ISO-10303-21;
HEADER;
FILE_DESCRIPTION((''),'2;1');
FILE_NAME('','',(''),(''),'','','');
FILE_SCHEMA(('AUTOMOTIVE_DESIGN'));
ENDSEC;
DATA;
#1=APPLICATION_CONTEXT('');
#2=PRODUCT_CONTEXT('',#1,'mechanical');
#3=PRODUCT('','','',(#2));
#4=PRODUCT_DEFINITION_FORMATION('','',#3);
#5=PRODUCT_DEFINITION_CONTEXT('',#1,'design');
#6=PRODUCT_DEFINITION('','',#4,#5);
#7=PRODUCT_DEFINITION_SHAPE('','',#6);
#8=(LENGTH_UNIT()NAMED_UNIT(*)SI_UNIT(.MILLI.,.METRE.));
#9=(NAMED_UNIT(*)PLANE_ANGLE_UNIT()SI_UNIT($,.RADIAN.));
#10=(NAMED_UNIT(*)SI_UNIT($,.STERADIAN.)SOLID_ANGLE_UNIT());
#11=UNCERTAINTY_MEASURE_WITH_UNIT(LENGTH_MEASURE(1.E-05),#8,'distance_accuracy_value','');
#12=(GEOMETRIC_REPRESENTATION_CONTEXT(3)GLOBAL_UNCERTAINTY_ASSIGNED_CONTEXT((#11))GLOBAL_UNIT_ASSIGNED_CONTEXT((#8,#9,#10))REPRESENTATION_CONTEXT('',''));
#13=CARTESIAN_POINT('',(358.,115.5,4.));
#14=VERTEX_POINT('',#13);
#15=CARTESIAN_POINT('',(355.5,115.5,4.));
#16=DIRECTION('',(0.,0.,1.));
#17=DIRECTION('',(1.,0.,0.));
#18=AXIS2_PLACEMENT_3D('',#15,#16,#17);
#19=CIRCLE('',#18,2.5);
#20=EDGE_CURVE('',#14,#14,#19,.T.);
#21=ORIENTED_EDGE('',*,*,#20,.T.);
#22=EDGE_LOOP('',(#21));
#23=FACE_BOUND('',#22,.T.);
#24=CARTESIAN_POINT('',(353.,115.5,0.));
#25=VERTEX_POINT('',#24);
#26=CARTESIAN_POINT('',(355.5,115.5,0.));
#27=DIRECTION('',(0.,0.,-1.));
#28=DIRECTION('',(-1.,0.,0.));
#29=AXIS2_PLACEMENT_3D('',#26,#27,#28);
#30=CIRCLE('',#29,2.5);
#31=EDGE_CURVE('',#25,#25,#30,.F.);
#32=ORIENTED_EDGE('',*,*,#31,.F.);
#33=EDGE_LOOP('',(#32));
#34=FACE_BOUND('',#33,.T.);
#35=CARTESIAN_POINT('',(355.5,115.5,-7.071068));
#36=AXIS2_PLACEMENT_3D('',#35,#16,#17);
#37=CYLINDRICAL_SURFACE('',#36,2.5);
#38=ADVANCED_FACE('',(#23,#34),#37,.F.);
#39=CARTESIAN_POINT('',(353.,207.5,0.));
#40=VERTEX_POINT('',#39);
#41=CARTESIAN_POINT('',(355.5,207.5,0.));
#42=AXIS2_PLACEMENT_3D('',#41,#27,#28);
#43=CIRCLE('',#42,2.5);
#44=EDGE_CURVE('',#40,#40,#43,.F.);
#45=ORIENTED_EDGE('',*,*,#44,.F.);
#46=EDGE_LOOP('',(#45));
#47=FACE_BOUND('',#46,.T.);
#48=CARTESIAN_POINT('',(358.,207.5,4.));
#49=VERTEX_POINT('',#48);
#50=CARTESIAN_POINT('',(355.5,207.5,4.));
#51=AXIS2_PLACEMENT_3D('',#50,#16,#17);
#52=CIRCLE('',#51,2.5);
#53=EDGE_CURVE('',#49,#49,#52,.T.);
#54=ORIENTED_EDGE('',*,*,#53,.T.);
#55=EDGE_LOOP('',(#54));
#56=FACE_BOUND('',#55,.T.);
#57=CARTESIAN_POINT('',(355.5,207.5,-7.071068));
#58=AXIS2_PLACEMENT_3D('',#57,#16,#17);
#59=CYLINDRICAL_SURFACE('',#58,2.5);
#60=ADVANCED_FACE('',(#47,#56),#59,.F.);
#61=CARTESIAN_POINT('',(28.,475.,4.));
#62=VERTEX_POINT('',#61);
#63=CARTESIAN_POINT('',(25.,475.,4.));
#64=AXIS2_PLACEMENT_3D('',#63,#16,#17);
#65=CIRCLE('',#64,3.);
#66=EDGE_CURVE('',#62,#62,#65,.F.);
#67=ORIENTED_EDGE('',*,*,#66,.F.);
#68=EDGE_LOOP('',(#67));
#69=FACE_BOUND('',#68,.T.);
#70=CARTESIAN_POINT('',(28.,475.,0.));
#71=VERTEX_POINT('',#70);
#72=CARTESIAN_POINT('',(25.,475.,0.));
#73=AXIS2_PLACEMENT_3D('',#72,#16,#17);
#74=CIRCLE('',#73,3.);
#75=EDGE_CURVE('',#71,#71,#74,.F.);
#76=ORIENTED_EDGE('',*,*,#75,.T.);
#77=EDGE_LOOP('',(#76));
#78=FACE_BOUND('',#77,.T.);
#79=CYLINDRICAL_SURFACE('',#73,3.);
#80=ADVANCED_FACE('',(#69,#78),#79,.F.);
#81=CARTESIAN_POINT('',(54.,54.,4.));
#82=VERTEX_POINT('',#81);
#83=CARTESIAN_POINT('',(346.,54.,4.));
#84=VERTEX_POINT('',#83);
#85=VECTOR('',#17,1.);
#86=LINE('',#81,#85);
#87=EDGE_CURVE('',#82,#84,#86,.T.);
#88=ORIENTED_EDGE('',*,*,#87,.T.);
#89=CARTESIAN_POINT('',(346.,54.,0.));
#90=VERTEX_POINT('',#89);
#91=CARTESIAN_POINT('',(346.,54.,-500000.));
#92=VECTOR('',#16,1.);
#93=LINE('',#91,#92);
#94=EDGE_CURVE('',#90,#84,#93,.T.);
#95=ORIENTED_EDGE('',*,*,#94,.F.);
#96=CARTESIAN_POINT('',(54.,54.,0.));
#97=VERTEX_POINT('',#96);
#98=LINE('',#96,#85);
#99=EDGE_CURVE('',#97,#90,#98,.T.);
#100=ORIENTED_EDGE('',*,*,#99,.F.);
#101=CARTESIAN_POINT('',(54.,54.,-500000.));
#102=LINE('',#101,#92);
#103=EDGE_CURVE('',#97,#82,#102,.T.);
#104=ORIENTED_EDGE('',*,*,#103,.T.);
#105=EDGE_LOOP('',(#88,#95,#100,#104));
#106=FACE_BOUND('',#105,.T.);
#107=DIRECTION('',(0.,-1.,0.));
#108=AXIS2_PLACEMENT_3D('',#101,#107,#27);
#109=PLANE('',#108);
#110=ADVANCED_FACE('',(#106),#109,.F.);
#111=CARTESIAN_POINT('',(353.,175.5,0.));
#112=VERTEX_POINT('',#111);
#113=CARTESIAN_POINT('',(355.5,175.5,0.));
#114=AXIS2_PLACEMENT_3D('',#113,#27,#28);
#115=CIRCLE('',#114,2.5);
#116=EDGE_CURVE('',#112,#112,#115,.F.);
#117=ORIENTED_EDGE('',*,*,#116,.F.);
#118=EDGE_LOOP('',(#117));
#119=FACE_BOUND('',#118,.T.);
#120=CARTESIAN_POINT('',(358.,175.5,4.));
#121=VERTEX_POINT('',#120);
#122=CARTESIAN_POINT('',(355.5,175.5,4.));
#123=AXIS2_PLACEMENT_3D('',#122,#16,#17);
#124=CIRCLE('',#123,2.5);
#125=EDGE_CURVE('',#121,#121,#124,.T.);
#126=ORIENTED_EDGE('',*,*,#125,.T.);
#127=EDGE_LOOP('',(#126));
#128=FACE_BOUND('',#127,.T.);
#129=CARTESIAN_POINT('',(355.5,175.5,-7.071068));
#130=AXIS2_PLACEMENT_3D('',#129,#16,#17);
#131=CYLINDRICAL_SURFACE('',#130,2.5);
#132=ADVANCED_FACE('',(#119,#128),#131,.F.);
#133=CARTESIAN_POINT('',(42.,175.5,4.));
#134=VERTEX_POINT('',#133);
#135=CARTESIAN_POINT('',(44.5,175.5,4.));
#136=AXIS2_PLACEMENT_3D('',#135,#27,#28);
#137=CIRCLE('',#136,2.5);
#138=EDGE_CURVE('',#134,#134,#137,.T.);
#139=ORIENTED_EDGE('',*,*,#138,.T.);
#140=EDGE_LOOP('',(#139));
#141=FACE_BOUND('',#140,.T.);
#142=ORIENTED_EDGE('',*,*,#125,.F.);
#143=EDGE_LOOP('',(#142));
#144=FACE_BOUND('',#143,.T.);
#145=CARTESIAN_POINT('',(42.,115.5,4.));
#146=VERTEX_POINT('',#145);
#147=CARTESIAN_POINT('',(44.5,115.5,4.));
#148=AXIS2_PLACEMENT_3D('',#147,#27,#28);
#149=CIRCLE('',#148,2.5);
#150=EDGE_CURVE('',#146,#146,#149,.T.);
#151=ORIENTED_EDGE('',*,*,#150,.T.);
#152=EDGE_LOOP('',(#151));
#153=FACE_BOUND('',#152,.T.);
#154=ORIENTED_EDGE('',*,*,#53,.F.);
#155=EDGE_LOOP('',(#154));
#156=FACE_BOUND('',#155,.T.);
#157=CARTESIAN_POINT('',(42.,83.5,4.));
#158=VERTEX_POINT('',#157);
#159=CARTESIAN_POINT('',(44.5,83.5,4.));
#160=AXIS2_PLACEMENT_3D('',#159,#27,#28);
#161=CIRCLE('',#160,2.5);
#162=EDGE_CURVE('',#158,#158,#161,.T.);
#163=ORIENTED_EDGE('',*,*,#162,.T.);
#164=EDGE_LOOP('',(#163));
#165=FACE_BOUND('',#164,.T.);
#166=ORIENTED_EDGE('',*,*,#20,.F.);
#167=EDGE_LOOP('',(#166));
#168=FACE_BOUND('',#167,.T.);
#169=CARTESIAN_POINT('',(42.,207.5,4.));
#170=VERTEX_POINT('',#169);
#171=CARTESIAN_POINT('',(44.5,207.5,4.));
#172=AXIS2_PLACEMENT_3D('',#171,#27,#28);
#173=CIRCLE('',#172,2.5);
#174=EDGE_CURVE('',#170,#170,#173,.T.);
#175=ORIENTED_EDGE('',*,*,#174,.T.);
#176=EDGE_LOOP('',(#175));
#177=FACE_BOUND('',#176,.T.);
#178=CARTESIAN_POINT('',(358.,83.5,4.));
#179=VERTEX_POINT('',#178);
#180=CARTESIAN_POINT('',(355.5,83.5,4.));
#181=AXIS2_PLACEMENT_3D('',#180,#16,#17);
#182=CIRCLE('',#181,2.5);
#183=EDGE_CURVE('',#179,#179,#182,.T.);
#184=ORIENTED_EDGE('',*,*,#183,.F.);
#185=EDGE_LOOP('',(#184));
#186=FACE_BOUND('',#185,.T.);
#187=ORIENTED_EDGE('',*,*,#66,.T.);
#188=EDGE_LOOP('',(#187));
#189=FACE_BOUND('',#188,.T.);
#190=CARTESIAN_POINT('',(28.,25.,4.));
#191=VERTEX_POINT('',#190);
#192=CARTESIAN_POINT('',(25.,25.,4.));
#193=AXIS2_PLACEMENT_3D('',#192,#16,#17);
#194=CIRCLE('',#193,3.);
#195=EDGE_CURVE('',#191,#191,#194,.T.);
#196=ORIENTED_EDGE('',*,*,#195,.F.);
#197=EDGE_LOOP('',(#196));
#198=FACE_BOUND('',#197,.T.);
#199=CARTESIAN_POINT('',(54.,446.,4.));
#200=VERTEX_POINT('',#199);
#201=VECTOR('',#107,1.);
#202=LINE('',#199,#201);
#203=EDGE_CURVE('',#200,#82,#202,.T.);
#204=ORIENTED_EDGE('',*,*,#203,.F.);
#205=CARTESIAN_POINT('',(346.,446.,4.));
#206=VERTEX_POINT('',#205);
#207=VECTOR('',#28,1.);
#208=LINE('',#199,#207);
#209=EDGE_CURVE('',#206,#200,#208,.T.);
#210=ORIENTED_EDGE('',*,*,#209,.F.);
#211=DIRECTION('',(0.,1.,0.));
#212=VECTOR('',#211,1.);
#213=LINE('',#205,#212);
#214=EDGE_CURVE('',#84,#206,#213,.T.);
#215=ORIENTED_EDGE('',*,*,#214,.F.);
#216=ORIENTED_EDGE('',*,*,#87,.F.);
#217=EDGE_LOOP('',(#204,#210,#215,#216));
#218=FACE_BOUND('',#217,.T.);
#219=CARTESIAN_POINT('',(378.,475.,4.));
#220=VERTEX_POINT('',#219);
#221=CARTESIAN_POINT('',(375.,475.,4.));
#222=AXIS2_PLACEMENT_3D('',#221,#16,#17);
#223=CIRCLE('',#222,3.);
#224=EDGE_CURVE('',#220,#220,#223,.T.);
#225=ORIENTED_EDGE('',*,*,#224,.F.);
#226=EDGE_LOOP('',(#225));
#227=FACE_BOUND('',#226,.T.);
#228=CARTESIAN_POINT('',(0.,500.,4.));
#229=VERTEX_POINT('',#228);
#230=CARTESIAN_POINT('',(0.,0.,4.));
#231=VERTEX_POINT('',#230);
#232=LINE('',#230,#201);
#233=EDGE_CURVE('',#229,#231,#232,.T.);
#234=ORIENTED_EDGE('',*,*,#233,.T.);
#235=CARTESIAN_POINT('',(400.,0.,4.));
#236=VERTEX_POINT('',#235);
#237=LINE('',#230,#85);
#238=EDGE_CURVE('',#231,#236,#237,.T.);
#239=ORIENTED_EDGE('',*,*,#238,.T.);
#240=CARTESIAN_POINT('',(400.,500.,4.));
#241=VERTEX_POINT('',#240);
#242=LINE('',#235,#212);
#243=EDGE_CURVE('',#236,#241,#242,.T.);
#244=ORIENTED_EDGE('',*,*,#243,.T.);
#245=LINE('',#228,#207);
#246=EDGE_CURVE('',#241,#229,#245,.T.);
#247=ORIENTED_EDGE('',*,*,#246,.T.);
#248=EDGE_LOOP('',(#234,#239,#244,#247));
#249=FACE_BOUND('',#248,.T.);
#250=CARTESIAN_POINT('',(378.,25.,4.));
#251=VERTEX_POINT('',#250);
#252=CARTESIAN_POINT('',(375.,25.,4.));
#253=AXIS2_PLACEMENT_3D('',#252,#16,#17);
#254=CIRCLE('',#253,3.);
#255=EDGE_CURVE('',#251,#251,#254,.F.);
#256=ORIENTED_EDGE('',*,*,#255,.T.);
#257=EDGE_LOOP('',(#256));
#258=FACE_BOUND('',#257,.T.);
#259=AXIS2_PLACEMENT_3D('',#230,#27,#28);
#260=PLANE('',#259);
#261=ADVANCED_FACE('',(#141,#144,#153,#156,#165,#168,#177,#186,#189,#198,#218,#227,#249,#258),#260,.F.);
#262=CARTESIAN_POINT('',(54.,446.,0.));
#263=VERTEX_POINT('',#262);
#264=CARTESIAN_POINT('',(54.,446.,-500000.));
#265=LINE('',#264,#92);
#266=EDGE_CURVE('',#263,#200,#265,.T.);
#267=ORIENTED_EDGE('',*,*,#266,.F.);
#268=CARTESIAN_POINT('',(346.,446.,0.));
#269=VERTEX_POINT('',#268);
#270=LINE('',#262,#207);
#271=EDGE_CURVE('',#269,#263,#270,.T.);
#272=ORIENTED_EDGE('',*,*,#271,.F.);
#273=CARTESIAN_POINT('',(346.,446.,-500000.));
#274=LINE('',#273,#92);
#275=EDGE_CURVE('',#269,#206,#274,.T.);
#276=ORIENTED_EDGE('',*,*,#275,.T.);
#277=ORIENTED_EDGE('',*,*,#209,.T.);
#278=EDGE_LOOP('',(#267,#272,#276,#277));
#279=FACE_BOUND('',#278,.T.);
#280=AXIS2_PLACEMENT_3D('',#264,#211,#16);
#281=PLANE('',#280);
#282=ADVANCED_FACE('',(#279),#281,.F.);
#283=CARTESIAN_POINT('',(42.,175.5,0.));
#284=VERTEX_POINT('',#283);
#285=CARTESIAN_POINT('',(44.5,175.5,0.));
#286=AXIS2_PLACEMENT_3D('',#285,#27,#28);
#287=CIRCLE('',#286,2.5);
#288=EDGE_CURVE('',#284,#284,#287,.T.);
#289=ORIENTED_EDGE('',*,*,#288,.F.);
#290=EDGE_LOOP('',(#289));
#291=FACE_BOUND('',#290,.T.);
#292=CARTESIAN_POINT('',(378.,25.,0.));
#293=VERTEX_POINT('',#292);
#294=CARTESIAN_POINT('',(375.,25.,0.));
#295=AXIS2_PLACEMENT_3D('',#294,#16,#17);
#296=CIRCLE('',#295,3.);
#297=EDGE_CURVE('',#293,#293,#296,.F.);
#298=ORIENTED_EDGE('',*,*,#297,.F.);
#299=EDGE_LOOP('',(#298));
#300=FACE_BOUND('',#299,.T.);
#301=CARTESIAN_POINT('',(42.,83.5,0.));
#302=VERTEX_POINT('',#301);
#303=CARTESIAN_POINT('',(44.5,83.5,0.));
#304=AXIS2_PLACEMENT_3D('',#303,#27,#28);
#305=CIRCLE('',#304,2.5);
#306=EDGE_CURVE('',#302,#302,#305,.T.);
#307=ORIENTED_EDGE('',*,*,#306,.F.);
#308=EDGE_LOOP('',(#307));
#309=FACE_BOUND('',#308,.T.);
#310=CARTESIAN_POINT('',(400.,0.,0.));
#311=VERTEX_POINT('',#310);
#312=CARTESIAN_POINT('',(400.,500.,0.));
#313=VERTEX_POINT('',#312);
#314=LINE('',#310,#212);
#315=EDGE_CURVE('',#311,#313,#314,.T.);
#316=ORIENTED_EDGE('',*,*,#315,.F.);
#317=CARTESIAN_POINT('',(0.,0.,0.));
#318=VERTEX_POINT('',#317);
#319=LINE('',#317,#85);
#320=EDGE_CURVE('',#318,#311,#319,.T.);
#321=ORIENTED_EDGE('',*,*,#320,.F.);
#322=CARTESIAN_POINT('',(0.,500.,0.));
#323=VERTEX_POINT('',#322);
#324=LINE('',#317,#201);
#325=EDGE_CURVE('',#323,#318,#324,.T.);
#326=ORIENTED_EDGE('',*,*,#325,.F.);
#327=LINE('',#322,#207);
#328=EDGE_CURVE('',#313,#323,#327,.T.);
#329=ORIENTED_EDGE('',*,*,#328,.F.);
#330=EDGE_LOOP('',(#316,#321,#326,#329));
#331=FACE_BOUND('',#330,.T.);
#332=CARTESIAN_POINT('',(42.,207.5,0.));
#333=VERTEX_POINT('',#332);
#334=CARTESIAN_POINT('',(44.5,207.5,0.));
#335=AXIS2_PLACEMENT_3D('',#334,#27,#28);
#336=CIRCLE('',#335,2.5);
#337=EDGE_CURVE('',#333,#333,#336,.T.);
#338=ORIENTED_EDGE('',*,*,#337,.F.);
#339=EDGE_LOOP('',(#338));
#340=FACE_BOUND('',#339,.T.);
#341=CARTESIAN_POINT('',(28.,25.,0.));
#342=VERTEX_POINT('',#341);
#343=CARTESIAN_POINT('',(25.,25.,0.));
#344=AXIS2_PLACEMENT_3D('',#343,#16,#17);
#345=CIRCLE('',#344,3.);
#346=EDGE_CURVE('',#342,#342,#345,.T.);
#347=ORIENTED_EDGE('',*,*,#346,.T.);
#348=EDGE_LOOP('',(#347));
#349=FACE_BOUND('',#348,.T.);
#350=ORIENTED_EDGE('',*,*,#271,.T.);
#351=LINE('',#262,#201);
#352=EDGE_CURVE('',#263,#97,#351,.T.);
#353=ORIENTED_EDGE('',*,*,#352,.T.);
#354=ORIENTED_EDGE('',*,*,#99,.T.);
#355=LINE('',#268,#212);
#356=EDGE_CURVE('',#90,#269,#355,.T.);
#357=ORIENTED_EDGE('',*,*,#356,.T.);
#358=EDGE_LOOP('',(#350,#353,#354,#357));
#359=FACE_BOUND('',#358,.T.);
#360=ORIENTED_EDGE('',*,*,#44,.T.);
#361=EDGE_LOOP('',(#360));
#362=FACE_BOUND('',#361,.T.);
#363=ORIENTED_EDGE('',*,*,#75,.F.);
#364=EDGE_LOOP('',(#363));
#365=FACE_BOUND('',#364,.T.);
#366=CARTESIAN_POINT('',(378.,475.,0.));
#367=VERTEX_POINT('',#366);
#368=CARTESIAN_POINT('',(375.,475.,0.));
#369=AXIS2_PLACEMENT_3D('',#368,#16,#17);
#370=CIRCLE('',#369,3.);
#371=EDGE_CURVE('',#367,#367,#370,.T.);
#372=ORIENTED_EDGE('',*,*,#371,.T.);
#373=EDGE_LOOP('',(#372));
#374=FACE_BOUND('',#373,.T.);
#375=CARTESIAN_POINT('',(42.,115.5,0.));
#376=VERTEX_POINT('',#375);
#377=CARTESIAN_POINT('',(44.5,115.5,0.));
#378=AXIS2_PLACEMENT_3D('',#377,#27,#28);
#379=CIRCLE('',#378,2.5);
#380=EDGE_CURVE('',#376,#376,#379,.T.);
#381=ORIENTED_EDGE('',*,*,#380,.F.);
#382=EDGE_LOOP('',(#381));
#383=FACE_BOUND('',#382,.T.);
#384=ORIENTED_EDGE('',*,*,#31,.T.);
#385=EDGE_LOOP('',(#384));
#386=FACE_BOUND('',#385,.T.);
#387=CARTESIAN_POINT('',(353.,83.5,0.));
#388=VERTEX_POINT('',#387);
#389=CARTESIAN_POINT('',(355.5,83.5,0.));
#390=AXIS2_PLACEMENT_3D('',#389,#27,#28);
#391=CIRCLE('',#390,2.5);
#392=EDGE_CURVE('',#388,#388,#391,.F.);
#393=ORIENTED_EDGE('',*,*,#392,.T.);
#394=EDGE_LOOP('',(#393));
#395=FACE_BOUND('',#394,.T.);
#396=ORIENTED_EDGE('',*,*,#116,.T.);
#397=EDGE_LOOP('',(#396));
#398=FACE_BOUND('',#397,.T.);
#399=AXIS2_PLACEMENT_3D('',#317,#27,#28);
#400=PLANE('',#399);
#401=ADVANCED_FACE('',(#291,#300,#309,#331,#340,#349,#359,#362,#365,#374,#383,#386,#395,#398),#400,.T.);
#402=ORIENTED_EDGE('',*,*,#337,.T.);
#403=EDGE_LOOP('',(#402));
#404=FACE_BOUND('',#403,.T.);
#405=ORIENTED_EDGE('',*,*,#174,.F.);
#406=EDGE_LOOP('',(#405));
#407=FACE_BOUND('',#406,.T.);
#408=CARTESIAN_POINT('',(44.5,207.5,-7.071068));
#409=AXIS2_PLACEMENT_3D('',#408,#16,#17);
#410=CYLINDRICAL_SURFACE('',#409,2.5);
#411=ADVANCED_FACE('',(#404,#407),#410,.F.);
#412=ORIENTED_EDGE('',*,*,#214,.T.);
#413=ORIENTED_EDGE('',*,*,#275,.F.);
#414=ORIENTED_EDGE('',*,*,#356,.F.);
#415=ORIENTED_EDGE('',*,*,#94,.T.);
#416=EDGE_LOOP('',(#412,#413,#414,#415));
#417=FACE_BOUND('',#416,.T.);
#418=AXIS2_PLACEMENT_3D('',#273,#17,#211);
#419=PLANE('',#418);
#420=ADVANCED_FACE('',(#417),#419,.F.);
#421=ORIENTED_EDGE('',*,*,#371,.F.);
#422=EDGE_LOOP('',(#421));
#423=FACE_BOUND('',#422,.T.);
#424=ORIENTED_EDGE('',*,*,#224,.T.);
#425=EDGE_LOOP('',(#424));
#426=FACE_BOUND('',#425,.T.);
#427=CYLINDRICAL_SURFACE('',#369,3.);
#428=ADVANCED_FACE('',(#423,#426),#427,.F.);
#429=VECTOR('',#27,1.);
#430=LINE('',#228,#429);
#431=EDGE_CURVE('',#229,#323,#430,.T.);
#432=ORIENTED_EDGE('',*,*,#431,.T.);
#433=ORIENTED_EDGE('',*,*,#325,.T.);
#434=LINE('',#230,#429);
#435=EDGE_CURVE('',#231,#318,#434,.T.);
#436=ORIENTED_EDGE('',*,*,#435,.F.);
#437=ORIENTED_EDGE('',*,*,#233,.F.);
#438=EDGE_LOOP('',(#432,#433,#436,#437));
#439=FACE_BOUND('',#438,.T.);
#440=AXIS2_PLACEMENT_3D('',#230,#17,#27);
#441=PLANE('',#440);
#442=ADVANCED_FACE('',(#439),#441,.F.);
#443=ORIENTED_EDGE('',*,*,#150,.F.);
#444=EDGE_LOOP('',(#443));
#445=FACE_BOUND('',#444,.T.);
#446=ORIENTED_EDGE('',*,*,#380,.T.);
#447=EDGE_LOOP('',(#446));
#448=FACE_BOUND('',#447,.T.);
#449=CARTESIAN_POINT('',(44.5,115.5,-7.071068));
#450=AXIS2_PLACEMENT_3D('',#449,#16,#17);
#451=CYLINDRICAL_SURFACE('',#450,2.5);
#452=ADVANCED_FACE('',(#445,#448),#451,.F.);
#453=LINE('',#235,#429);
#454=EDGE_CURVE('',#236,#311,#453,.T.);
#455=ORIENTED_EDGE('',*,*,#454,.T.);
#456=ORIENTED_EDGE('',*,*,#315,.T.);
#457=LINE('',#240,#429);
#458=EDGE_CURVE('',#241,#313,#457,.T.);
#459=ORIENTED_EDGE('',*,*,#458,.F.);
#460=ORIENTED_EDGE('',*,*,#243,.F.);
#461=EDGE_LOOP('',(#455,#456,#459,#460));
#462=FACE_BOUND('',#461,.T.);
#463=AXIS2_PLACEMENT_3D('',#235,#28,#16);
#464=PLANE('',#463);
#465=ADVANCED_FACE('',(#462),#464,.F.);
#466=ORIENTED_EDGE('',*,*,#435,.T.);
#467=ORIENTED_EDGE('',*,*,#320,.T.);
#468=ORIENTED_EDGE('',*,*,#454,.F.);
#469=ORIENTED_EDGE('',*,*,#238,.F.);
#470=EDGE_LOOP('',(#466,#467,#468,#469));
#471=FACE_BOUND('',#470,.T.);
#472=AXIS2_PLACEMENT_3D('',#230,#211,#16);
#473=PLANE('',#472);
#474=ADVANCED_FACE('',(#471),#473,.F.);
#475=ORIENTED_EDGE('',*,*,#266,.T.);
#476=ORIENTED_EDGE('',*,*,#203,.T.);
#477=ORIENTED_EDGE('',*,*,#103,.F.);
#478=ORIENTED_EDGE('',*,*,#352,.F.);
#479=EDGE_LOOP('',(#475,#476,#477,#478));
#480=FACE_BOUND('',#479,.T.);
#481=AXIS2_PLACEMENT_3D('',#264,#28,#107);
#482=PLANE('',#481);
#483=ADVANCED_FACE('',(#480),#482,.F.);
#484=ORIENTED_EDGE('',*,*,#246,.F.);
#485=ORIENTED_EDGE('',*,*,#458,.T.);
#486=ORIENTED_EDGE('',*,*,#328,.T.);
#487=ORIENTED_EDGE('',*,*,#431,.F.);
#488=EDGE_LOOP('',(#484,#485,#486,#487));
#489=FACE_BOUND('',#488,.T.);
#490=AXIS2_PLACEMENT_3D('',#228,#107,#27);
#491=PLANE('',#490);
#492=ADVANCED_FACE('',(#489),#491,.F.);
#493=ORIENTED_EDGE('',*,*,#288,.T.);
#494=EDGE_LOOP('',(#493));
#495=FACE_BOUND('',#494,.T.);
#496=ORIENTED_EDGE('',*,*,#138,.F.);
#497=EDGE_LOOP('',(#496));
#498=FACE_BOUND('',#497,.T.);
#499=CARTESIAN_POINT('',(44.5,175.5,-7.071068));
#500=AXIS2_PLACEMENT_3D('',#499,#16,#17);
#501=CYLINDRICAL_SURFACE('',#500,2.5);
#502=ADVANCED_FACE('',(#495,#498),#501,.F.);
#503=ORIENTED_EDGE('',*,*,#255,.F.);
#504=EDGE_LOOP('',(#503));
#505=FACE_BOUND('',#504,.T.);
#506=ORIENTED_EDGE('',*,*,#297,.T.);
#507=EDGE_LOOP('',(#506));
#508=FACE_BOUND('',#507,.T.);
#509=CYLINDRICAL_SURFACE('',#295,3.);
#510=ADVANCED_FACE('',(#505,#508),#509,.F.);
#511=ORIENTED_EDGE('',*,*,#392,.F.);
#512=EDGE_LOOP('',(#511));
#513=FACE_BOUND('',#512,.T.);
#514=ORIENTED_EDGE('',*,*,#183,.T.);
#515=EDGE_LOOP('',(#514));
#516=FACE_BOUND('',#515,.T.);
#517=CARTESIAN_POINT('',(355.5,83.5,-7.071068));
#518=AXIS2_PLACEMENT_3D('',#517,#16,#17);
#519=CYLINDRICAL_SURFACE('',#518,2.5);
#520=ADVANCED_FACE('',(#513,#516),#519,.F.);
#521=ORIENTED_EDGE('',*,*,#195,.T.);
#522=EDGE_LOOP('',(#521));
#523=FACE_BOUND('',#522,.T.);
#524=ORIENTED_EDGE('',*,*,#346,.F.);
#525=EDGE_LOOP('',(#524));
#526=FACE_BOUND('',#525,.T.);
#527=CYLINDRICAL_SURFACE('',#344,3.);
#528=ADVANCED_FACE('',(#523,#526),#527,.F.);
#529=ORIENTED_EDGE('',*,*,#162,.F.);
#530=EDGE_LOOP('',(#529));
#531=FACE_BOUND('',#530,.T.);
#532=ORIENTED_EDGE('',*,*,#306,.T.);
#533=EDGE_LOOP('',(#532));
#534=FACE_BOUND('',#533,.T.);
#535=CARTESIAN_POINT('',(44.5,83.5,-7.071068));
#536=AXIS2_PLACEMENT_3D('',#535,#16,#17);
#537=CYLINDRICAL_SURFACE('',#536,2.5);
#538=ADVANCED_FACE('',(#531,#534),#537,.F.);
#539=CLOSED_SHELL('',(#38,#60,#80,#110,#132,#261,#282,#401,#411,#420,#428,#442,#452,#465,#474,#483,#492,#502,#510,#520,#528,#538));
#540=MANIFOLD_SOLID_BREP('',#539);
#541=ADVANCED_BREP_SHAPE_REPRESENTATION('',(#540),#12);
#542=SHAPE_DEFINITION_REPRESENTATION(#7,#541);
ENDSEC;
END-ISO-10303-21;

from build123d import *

# Parameters (mm, degrees)
SKETCH1_W           = 400
SKETCH1_H           = 500
BOSS_EXTRUDE1_DEPTH = 4
CUT_EXTRUDE1_REACH  = 6
SKETCH3_W           = 292
SKETCH3_H           = 392
SKETCH6_R           = 2.5
CUT_EXTRUDE3_DEPTH  = 4
SKETCH7_R           = 3
CUT_EXTRUDE4_DEPTH  = 4


with BuildPart() as part:
    # Sketch1 → Boss-Extrude1 (new body)
    with BuildSketch(Plane.XY):
        with Locations((200, 250)):
            Rectangle(SKETCH1_W, SKETCH1_H)
    extrude(amount=BOSS_EXTRUDE1_DEPTH)

    # Sketch3 → Cut-Extrude1 (cut, up to next)
    with BuildSketch(Plane.XY.offset(4), mode=Mode.PRIVATE) as cut_extrude1_sk1:
        with Locations((200, 250)):
            Rectangle(SKETCH3_W, SKETCH3_H)
    cut_extrude1_tool1 = extrude(cut_extrude1_sk1.sketch, amount=-CUT_EXTRUDE1_REACH, mode=Mode.PRIVATE) & part.part
    add(cut_extrude1_tool1.solids().sort_by_distance((200, 250, 4))[0], mode=Mode.SUBTRACT)

    # Sketch6 → Cut-Extrude3 (cut)
    with BuildSketch(Plane.XY.offset(4)):
        with Locations((355.5, 83.5)):
            Circle(SKETCH6_R)
        with Locations((355.5, 115.5)):
            Circle(SKETCH6_R)
        with Locations((355.5, 175.5)):
            Circle(SKETCH6_R)
        with Locations((355.5, 207.5)):
            Circle(SKETCH6_R)
    cut_extrude3 = extrude(amount=-CUT_EXTRUDE3_DEPTH, mode=Mode.SUBTRACT)

    # Mirror1: Cut-Extrude3 across plane
    add(cut_extrude3.mirror(Plane(origin=(200, 0, 0), x_dir=(0, 0, 1), z_dir=(1, 0, 0))), mode=Mode.SUBTRACT)

    # Sketch7 → Cut-Extrude4 (cut)
    with BuildSketch(Plane.XY.offset(4)):
        with Locations((375, 475)):
            Circle(SKETCH7_R)
        with Locations((25, 475)):
            Circle(SKETCH7_R)
        with Locations((25, 25)):
            Circle(SKETCH7_R)
        with Locations((375, 25)):
            Circle(SKETCH7_R)
    extrude(amount=-CUT_EXTRUDE4_DEPTH, mode=Mode.SUBTRACT)


solid = part.part
